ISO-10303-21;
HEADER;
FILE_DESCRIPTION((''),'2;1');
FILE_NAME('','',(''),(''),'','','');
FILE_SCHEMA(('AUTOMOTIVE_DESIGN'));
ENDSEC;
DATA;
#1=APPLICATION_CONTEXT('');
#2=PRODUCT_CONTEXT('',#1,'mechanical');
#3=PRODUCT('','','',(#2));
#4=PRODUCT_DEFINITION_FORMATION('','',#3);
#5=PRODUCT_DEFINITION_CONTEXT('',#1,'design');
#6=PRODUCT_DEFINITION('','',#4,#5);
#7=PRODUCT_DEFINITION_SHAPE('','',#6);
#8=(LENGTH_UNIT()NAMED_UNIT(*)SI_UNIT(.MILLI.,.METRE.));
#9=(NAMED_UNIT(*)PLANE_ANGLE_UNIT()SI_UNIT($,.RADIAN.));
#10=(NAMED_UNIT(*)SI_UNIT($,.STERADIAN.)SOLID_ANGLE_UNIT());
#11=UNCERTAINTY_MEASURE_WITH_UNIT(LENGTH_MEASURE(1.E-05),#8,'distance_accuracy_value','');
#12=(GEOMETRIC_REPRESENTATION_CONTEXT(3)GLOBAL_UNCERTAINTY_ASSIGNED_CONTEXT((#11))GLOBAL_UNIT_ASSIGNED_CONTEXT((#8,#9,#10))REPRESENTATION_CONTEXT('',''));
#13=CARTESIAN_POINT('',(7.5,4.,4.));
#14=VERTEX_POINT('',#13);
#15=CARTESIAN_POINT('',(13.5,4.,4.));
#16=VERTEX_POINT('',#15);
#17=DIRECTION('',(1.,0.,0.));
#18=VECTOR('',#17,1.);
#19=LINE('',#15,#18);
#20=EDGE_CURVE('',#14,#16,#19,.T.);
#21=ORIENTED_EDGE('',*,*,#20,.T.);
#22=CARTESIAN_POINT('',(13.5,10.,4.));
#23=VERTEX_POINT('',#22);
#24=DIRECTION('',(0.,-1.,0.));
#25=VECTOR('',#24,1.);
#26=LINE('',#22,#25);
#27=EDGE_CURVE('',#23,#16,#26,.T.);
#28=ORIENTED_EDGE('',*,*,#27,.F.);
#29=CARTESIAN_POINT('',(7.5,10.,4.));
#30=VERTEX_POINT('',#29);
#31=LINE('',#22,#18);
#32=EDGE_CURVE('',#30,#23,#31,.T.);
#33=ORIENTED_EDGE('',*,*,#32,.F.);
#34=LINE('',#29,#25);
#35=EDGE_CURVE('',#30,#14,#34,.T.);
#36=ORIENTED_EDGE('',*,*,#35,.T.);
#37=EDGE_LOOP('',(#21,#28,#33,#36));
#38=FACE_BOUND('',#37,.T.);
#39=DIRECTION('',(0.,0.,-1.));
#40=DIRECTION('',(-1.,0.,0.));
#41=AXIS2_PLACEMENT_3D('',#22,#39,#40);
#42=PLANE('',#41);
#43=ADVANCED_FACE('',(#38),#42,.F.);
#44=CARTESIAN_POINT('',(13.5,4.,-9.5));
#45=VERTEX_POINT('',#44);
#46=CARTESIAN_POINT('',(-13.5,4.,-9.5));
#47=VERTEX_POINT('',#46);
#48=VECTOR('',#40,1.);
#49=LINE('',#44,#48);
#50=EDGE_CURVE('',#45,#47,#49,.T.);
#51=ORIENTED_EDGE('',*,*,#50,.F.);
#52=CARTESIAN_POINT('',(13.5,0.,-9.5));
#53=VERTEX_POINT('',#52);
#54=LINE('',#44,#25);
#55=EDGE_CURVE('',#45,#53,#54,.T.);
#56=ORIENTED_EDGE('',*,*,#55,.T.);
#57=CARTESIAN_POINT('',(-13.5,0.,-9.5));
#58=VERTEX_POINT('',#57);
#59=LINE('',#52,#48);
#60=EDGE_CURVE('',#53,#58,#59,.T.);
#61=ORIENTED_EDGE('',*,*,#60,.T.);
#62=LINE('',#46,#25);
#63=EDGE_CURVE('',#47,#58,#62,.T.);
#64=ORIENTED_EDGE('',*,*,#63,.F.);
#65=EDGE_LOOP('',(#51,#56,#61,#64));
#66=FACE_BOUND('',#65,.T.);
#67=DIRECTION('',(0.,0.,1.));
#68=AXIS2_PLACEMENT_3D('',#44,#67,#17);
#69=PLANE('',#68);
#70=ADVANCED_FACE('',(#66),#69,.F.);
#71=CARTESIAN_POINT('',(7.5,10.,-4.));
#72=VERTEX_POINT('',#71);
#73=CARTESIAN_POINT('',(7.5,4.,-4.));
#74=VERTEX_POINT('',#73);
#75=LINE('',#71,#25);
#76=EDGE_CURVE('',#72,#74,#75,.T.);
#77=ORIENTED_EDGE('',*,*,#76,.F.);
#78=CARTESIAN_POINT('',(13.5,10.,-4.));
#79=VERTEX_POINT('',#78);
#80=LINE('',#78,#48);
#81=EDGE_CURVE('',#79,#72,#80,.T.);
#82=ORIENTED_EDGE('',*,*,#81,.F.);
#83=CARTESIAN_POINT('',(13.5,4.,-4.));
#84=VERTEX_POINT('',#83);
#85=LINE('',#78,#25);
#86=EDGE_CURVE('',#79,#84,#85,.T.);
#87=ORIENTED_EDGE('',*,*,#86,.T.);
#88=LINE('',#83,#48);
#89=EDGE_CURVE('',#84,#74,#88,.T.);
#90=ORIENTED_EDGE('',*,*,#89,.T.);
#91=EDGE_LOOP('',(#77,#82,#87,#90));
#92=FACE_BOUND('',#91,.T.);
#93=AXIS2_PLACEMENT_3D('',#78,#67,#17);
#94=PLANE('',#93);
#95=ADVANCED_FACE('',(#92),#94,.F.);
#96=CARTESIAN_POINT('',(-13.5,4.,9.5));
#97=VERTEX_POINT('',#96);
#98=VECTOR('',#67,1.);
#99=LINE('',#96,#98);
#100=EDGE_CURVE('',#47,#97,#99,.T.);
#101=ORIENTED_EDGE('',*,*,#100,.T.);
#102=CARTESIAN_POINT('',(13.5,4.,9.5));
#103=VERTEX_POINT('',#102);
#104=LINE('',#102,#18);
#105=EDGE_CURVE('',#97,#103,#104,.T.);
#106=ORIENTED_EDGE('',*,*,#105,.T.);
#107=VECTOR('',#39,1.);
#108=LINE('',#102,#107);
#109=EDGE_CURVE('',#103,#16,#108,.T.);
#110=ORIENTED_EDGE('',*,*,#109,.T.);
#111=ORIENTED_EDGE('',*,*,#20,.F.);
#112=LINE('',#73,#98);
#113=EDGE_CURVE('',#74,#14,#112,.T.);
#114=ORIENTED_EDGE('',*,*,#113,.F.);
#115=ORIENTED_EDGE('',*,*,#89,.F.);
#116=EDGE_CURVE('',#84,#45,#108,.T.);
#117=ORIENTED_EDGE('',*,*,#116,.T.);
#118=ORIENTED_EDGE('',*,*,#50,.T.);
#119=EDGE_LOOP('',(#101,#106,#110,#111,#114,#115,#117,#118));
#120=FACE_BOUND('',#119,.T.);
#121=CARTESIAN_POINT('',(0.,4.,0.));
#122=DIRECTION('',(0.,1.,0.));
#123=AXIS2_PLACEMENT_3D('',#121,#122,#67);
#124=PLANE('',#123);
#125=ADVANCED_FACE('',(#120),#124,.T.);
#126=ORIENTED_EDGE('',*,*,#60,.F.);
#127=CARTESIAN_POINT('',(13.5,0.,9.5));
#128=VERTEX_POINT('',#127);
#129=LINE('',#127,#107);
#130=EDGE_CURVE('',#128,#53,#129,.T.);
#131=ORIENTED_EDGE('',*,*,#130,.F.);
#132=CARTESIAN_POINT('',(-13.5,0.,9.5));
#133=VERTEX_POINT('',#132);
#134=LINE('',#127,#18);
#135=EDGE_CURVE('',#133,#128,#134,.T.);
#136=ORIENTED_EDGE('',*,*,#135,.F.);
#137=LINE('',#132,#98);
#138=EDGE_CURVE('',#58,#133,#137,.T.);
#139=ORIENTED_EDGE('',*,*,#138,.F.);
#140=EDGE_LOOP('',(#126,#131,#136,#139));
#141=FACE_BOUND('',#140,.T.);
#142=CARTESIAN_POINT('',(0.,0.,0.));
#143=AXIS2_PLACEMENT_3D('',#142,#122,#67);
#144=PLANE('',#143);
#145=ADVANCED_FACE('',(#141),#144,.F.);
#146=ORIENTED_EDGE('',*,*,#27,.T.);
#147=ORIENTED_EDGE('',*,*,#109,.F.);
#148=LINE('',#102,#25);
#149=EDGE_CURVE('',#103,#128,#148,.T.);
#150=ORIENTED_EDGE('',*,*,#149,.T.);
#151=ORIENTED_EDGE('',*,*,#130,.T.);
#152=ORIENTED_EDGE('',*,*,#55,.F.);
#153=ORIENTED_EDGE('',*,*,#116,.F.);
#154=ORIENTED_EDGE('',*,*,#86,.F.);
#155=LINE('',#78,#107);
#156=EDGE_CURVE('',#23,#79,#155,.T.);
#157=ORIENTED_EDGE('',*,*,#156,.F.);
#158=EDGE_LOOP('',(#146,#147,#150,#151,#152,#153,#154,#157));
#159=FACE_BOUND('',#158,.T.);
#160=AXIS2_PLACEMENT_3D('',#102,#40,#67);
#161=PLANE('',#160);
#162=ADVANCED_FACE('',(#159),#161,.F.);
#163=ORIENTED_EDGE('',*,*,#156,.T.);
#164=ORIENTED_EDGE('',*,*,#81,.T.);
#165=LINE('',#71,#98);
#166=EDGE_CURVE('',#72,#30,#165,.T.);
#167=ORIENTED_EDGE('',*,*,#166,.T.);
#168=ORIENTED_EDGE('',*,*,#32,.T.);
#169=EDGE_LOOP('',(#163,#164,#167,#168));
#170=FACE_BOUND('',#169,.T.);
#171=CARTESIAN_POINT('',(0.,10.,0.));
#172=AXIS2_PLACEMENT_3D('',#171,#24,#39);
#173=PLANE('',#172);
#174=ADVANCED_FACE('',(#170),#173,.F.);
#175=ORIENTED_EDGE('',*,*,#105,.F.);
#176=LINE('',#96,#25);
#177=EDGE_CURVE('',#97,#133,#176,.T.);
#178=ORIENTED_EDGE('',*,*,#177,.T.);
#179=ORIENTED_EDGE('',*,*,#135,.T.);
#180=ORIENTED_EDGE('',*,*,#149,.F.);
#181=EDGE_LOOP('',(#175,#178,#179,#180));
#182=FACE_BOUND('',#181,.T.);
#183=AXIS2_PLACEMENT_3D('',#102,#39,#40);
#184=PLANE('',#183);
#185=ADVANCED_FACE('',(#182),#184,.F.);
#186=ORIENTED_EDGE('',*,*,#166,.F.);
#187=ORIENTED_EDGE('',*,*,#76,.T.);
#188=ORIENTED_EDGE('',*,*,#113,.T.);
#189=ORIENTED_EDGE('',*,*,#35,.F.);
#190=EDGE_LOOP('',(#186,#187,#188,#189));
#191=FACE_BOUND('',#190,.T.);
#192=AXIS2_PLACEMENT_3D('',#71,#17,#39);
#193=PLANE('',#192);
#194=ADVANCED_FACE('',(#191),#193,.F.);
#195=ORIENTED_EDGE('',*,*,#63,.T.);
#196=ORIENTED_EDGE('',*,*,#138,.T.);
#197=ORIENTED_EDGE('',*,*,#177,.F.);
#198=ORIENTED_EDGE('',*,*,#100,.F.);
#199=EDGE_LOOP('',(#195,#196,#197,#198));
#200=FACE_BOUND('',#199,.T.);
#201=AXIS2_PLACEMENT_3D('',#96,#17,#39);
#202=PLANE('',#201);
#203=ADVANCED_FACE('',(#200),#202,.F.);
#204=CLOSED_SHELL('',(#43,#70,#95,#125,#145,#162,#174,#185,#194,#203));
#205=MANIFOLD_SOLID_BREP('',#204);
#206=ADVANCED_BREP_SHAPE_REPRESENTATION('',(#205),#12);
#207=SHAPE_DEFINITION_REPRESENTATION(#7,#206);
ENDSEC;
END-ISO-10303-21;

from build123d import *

# Parameters (mm, degrees)
SKETCH1_W           = 27
SKETCH1_H           = 19
BOSS_EXTRUDE1_DEPTH = 4
SKETCH2_W           = 6
SKETCH2_H           = 8
BOSS_EXTRUDE2_DEPTH = 6


with BuildPart() as part:
    # Sketch1 → Boss-Extrude1 (new body)
    with BuildSketch(Plane(origin=(0, 0, 0), x_dir=(1, 0, 0), z_dir=(0, 1, 0))):
        Rectangle(SKETCH1_W, SKETCH1_H)
    extrude(amount=BOSS_EXTRUDE1_DEPTH)

    # Sketch2 → Boss-Extrude2 (add)
    with BuildSketch(Plane(origin=(0, 4, 0), x_dir=(1, 0, 0), z_dir=(0, 1, 0))):
        with Locations((10.5, 0)):
            Rectangle(SKETCH2_W, SKETCH2_H)
    extrude(amount=BOSS_EXTRUDE2_DEPTH)


solid = part.part
